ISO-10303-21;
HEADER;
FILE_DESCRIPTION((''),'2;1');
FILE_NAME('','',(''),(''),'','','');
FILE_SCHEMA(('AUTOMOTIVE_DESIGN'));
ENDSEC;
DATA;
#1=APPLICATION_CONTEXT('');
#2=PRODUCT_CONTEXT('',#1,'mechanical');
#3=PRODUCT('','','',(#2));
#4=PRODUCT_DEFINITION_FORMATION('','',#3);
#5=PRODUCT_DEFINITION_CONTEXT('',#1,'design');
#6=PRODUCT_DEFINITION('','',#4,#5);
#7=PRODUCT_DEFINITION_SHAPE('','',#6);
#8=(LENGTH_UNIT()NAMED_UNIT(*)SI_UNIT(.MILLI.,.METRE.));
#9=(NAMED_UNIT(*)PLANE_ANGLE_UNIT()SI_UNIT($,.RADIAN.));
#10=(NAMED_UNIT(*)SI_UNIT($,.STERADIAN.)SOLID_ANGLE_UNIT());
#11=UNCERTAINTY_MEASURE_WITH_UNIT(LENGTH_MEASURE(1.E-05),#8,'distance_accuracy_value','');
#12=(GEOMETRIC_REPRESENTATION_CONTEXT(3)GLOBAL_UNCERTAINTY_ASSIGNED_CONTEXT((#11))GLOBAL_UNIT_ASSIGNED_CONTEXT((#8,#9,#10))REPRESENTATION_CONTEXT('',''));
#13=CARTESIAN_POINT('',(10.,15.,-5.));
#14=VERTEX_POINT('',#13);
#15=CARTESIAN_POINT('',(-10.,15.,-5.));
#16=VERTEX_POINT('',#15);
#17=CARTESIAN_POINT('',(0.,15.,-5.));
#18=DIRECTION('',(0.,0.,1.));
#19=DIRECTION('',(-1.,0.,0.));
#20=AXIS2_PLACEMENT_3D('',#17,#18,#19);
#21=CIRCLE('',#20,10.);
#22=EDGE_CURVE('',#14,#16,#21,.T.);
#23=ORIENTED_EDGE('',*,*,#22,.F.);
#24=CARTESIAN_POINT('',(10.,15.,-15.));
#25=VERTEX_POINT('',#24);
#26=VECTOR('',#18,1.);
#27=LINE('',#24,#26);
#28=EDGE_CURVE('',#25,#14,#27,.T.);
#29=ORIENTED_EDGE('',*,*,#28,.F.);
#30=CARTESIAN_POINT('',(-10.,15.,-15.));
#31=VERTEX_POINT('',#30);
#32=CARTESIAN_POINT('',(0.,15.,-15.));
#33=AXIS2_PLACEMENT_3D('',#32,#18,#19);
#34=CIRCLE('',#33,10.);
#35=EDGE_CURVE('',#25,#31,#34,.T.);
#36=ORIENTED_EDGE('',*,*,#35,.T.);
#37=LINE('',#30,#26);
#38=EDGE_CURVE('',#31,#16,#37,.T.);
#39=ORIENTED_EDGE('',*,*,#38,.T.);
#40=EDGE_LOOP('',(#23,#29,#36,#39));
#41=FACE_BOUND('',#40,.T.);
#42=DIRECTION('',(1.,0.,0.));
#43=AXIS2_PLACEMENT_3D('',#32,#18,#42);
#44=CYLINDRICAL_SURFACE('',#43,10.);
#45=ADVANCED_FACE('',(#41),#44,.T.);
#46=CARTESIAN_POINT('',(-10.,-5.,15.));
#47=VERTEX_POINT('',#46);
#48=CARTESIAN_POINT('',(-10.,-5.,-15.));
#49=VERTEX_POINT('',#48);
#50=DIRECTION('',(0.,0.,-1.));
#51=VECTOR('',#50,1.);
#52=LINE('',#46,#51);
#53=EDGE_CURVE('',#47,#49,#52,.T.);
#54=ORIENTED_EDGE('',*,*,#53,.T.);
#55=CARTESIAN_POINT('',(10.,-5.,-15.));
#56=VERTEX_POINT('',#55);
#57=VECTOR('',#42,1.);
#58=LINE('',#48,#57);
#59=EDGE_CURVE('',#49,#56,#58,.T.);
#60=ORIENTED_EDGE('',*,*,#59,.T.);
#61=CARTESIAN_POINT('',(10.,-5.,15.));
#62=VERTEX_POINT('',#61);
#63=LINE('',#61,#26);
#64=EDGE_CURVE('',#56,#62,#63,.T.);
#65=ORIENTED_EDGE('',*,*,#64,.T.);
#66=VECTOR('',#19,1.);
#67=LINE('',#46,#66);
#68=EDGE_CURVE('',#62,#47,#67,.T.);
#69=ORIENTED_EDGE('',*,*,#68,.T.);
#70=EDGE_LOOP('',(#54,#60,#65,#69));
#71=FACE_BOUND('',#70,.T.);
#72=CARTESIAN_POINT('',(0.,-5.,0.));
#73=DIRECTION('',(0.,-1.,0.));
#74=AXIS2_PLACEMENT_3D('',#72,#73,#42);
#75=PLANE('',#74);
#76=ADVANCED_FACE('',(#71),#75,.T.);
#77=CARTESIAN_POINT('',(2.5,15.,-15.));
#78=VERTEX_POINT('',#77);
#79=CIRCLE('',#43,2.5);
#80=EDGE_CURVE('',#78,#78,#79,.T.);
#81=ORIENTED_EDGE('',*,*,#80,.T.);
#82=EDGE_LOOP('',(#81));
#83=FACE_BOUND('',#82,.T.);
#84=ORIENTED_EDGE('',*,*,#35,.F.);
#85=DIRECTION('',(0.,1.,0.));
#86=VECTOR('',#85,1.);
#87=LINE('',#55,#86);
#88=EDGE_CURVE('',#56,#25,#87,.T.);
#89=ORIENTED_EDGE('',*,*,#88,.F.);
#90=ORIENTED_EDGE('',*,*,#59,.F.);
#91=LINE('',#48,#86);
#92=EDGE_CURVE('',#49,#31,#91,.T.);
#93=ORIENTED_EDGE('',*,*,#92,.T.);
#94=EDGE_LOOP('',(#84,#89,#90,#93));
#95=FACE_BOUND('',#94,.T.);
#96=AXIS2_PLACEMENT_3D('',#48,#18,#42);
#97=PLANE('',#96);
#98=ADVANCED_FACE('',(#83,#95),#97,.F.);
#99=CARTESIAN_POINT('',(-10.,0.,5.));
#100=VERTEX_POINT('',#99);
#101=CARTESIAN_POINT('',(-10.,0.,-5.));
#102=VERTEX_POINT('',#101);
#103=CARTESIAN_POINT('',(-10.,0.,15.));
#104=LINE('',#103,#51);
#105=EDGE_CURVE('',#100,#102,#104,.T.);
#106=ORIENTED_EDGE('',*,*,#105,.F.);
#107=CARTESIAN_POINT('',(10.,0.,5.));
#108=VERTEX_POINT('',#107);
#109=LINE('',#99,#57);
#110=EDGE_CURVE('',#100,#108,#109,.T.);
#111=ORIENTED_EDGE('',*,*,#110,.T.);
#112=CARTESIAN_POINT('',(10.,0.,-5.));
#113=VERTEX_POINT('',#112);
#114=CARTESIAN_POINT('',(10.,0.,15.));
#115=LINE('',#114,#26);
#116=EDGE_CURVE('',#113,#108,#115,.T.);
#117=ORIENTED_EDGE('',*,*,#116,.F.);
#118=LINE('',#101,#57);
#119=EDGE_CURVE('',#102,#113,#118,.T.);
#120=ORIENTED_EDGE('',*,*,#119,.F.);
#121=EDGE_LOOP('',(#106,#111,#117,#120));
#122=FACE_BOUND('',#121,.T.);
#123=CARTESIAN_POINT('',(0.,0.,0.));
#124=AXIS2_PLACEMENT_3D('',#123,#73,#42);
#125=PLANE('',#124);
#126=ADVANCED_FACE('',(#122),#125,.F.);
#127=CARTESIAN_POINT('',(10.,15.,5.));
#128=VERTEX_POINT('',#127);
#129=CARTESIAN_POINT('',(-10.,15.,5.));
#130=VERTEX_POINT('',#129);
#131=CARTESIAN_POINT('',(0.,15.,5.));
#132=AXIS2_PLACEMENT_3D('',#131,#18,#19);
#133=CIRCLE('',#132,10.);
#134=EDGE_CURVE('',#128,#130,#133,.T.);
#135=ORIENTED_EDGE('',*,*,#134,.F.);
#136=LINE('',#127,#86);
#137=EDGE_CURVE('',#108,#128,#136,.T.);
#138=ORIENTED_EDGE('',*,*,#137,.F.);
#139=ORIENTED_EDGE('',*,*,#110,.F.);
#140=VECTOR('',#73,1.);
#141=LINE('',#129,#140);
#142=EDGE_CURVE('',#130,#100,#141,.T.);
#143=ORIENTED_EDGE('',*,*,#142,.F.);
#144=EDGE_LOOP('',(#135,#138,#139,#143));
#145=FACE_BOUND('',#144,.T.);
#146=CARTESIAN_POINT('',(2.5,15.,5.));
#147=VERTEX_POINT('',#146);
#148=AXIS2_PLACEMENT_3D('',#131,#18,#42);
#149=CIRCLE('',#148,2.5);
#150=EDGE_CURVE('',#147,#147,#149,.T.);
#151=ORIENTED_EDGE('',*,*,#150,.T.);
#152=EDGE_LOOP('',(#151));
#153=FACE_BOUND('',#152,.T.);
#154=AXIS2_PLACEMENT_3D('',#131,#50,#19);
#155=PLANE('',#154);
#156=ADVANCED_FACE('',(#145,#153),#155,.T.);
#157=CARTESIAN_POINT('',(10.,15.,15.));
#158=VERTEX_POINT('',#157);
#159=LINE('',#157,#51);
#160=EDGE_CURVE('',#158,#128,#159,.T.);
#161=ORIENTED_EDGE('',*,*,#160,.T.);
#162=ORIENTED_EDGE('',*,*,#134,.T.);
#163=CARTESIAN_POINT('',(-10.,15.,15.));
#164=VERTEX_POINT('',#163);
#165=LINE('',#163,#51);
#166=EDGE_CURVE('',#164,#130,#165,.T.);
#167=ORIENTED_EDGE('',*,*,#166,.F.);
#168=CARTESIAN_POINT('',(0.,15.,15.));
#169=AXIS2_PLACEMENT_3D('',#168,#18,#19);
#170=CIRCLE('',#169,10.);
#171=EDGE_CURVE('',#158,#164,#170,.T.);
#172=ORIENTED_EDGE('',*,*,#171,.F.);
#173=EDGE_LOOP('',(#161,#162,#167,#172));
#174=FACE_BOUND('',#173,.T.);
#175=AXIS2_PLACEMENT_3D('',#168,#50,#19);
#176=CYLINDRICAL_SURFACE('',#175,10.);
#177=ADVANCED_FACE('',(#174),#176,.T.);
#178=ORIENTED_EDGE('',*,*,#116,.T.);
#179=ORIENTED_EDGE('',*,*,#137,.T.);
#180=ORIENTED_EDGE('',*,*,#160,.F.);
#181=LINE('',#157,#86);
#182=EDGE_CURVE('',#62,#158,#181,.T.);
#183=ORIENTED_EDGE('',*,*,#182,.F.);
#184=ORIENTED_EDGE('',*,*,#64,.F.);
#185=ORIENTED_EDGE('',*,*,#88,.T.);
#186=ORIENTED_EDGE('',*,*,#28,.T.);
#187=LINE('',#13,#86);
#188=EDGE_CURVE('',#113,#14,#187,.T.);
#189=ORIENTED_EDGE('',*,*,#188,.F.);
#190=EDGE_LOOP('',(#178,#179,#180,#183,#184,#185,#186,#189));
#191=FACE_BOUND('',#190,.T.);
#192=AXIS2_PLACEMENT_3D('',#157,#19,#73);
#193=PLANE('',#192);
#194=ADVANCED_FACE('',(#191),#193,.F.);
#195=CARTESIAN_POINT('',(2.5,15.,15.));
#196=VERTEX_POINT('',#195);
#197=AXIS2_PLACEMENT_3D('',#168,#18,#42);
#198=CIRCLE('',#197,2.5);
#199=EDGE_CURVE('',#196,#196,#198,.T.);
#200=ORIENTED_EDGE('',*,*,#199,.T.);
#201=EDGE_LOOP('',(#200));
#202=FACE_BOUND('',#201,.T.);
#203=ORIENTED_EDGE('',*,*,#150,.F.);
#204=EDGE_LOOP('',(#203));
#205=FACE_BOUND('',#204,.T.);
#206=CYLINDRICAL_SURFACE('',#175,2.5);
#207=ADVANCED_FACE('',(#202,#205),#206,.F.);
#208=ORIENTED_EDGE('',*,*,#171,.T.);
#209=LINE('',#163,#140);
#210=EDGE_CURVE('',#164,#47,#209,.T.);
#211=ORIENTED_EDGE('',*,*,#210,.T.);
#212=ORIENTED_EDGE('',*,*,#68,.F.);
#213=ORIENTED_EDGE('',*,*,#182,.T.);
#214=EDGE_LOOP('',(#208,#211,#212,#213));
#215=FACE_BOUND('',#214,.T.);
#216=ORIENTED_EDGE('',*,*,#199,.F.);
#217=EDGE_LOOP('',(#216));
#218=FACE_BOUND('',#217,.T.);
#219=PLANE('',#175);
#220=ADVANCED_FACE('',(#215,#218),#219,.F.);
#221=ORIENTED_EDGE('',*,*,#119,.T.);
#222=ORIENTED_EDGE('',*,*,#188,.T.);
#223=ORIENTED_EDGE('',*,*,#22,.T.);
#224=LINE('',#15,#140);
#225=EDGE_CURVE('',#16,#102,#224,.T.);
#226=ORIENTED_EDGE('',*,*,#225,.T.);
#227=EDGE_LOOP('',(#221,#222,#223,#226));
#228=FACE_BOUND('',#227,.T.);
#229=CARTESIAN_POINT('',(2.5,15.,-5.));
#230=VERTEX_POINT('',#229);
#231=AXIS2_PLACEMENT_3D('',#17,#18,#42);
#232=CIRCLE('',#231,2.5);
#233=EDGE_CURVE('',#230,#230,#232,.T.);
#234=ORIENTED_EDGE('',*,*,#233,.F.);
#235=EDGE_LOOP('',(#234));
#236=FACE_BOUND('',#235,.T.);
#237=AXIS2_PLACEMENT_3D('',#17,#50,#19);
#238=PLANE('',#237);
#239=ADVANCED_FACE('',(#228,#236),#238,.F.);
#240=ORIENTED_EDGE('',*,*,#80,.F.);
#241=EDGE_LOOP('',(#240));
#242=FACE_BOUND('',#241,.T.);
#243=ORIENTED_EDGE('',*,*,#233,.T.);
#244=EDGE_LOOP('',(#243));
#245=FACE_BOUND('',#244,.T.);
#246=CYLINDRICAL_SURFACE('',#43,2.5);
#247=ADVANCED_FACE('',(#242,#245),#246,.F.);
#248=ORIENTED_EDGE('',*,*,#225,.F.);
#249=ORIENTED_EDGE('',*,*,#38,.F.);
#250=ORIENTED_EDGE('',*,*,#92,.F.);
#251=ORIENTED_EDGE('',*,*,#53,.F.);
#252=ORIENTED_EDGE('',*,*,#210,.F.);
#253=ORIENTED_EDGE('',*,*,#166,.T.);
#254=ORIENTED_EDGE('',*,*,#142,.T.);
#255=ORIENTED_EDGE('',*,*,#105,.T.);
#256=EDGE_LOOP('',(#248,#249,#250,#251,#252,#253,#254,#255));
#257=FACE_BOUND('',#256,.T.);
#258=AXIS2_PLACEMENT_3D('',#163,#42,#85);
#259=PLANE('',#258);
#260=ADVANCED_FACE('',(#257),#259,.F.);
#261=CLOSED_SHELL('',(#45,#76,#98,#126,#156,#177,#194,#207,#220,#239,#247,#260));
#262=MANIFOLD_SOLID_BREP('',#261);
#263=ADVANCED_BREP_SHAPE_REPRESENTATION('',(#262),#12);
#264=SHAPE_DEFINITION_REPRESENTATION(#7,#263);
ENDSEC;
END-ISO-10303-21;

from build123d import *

# Parameters (mm, degrees)
BOSS_EXTRUDE1_START = 5
SKETCH1_R           = 2.5
BOSS_EXTRUDE1_DEPTH = 10
BOSS_EXTRUDE2_START = -5
SKETCH1_2_R         = 2.5
BOSS_EXTRUDE2_DEPTH = 10
SKETCH2_W           = 20
SKETCH2_H           = 30
BOSS_EXTRUDE3_DEPTH = 5


with BuildPart() as part:
    # Sketch1 → Boss-Extrude1 (new body)
    with BuildSketch(Plane.XY.offset(BOSS_EXTRUDE1_START)):
        with BuildLine():
            Line((-10, 15), (-10, 0))
            Line((-10, 0), (10, 0))
            Line((10, 0), (10, 15))
            ThreePointArc((10, 15), (0, 25), (-10, 15))
        make_face()
        with Locations((0, 15)):
            Circle(SKETCH1_R, mode=Mode.SUBTRACT)
    extrude(amount=BOSS_EXTRUDE1_DEPTH)



with BuildPart() as body_2:
    # Sketch1<2> → Boss-Extrude2 (new body)
    with BuildSketch(Plane.XY.offset(BOSS_EXTRUDE2_START)):
        with BuildLine():
            Line((-10, 15), (-10, 0))
            Line((-10, 0), (10, 0))
            Line((10, 0), (10, 15))
            ThreePointArc((10, 15), (0, 25), (-10, 15))
        make_face()
        with Locations((0, 15)):
            Circle(SKETCH1_2_R, mode=Mode.SUBTRACT)
    extrude(amount=-BOSS_EXTRUDE2_DEPTH)


with BuildPart() as part_1:
    add(part.part)

    add(body_2.part)  # Boss-Extrude3 merges body 2
    # Sketch2 → Boss-Extrude3 (add)
    with BuildSketch(Plane.XZ):
        Rectangle(SKETCH2_W, SKETCH2_H)
    extrude(amount=BOSS_EXTRUDE3_DEPTH)


solid = part_1.part
